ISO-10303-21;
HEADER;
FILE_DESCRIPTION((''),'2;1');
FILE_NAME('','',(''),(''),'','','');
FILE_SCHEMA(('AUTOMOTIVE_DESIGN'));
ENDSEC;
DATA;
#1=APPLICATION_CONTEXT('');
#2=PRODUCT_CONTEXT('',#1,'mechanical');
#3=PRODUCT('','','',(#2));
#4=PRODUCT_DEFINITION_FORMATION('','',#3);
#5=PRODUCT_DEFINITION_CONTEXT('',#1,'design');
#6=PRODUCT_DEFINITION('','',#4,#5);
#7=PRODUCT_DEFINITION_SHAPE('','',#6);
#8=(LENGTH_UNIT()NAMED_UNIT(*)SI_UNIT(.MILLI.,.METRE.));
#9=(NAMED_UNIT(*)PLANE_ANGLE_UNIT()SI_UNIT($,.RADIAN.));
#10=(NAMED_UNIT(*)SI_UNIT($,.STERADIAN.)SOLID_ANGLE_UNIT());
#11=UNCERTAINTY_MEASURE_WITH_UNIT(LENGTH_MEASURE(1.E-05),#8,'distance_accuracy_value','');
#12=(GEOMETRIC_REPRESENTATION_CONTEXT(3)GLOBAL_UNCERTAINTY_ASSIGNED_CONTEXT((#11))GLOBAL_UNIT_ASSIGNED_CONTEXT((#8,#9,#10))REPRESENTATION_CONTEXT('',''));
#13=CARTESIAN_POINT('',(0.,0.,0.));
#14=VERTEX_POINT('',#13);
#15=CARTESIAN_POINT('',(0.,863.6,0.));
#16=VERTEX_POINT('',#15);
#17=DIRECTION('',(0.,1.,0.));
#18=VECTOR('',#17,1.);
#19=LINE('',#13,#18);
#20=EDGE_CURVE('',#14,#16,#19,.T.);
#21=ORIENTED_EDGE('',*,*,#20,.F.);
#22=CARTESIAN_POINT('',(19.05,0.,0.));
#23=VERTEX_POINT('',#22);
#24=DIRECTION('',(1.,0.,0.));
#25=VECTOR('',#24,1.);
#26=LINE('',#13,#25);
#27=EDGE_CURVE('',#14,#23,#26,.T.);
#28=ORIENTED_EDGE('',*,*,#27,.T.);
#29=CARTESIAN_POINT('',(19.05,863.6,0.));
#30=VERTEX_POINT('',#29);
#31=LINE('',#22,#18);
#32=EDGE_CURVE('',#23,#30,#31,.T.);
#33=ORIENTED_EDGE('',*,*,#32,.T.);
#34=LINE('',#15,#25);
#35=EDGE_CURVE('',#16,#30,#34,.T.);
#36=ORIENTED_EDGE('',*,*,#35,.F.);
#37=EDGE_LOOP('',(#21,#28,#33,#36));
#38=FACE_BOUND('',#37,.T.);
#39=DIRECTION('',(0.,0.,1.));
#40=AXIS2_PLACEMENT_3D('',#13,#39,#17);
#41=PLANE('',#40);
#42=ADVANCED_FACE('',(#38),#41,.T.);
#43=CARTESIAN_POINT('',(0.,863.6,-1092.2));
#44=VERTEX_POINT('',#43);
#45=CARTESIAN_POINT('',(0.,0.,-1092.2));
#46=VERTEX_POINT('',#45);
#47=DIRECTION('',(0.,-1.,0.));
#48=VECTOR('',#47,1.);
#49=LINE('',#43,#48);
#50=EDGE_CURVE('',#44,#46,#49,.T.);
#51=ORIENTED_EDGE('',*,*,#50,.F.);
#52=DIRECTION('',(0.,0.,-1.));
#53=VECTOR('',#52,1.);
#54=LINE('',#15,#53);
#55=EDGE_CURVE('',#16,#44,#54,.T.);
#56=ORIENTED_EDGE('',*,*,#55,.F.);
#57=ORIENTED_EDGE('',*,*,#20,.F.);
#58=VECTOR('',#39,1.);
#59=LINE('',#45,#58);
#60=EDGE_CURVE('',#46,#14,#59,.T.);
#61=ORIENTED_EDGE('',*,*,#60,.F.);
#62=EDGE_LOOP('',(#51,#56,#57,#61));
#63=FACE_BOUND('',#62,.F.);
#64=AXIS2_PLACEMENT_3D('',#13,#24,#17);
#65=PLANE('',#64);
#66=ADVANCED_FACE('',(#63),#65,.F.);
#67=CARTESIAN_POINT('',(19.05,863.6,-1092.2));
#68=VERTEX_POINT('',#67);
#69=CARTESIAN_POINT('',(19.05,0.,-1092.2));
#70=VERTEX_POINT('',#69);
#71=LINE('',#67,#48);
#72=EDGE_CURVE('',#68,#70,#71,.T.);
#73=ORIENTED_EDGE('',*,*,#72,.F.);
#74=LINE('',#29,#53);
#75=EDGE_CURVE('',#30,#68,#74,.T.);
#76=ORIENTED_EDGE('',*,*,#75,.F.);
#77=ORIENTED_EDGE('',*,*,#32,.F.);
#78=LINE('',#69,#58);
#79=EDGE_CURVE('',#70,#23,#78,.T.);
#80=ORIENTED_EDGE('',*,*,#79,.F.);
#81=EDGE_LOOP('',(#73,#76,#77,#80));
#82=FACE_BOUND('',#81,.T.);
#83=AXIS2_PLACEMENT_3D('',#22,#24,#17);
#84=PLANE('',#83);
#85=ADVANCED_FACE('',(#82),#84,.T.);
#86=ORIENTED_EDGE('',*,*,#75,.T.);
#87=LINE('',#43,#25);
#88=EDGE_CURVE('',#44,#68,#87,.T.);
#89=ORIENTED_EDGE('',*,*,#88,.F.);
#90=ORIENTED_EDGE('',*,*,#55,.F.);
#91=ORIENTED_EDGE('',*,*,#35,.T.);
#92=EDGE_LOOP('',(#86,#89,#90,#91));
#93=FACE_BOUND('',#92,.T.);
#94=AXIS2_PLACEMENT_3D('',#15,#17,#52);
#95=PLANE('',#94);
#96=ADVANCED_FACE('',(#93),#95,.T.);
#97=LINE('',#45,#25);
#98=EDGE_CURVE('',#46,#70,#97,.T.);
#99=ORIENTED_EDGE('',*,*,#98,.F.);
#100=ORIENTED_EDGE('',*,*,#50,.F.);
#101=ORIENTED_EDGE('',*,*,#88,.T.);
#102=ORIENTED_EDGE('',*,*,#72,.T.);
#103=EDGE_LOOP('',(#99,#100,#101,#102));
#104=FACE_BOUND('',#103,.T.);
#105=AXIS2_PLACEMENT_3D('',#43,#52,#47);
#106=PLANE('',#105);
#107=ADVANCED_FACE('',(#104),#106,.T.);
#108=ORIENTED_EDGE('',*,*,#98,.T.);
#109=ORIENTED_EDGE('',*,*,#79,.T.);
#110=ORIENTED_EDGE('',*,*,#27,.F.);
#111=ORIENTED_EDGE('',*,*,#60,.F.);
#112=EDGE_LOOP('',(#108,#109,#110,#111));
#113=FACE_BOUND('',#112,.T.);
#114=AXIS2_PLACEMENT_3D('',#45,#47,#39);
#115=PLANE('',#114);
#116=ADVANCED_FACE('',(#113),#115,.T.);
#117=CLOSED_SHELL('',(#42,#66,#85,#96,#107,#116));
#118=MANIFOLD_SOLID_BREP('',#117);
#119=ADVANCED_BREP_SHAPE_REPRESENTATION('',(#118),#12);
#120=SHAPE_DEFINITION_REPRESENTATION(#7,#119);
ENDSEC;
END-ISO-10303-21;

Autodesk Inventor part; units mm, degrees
ref_plane "YZ Plane" through (0, 0, 0) normal (1, 0, 0) x (0, 1, 0)
ref_plane "XZ Plane" through (0, 0, 0) normal (0, 1, 0) x (-1, 0, 0)
ref_plane "XY Plane" through (0, 0, 0) normal (0, 0, 1) x (1, 0, 0)
sketch "Sketch1" plane through (0, 0, 0) normal (1, 0, 0) x (0, 1, 0)
  line L0 (0, 0) -> (863.6, 0)
  line L1 (863.6, 0) -> (863.6, -1092.2)
  line L2 (863.6, -1092.2) -> (0, -1092.2)
  line L3 (0, -1092.2) -> (0, 0)
  dimension "d1" = 1092.2
  dimension "d2" = 863.6
extrude "Extrusion1" add sketch "Sketch1" along normal blind 19.05
properties part number "Plywood--0.75_x_34_x_42.75_in" material "Wood (Southern Pine)"
